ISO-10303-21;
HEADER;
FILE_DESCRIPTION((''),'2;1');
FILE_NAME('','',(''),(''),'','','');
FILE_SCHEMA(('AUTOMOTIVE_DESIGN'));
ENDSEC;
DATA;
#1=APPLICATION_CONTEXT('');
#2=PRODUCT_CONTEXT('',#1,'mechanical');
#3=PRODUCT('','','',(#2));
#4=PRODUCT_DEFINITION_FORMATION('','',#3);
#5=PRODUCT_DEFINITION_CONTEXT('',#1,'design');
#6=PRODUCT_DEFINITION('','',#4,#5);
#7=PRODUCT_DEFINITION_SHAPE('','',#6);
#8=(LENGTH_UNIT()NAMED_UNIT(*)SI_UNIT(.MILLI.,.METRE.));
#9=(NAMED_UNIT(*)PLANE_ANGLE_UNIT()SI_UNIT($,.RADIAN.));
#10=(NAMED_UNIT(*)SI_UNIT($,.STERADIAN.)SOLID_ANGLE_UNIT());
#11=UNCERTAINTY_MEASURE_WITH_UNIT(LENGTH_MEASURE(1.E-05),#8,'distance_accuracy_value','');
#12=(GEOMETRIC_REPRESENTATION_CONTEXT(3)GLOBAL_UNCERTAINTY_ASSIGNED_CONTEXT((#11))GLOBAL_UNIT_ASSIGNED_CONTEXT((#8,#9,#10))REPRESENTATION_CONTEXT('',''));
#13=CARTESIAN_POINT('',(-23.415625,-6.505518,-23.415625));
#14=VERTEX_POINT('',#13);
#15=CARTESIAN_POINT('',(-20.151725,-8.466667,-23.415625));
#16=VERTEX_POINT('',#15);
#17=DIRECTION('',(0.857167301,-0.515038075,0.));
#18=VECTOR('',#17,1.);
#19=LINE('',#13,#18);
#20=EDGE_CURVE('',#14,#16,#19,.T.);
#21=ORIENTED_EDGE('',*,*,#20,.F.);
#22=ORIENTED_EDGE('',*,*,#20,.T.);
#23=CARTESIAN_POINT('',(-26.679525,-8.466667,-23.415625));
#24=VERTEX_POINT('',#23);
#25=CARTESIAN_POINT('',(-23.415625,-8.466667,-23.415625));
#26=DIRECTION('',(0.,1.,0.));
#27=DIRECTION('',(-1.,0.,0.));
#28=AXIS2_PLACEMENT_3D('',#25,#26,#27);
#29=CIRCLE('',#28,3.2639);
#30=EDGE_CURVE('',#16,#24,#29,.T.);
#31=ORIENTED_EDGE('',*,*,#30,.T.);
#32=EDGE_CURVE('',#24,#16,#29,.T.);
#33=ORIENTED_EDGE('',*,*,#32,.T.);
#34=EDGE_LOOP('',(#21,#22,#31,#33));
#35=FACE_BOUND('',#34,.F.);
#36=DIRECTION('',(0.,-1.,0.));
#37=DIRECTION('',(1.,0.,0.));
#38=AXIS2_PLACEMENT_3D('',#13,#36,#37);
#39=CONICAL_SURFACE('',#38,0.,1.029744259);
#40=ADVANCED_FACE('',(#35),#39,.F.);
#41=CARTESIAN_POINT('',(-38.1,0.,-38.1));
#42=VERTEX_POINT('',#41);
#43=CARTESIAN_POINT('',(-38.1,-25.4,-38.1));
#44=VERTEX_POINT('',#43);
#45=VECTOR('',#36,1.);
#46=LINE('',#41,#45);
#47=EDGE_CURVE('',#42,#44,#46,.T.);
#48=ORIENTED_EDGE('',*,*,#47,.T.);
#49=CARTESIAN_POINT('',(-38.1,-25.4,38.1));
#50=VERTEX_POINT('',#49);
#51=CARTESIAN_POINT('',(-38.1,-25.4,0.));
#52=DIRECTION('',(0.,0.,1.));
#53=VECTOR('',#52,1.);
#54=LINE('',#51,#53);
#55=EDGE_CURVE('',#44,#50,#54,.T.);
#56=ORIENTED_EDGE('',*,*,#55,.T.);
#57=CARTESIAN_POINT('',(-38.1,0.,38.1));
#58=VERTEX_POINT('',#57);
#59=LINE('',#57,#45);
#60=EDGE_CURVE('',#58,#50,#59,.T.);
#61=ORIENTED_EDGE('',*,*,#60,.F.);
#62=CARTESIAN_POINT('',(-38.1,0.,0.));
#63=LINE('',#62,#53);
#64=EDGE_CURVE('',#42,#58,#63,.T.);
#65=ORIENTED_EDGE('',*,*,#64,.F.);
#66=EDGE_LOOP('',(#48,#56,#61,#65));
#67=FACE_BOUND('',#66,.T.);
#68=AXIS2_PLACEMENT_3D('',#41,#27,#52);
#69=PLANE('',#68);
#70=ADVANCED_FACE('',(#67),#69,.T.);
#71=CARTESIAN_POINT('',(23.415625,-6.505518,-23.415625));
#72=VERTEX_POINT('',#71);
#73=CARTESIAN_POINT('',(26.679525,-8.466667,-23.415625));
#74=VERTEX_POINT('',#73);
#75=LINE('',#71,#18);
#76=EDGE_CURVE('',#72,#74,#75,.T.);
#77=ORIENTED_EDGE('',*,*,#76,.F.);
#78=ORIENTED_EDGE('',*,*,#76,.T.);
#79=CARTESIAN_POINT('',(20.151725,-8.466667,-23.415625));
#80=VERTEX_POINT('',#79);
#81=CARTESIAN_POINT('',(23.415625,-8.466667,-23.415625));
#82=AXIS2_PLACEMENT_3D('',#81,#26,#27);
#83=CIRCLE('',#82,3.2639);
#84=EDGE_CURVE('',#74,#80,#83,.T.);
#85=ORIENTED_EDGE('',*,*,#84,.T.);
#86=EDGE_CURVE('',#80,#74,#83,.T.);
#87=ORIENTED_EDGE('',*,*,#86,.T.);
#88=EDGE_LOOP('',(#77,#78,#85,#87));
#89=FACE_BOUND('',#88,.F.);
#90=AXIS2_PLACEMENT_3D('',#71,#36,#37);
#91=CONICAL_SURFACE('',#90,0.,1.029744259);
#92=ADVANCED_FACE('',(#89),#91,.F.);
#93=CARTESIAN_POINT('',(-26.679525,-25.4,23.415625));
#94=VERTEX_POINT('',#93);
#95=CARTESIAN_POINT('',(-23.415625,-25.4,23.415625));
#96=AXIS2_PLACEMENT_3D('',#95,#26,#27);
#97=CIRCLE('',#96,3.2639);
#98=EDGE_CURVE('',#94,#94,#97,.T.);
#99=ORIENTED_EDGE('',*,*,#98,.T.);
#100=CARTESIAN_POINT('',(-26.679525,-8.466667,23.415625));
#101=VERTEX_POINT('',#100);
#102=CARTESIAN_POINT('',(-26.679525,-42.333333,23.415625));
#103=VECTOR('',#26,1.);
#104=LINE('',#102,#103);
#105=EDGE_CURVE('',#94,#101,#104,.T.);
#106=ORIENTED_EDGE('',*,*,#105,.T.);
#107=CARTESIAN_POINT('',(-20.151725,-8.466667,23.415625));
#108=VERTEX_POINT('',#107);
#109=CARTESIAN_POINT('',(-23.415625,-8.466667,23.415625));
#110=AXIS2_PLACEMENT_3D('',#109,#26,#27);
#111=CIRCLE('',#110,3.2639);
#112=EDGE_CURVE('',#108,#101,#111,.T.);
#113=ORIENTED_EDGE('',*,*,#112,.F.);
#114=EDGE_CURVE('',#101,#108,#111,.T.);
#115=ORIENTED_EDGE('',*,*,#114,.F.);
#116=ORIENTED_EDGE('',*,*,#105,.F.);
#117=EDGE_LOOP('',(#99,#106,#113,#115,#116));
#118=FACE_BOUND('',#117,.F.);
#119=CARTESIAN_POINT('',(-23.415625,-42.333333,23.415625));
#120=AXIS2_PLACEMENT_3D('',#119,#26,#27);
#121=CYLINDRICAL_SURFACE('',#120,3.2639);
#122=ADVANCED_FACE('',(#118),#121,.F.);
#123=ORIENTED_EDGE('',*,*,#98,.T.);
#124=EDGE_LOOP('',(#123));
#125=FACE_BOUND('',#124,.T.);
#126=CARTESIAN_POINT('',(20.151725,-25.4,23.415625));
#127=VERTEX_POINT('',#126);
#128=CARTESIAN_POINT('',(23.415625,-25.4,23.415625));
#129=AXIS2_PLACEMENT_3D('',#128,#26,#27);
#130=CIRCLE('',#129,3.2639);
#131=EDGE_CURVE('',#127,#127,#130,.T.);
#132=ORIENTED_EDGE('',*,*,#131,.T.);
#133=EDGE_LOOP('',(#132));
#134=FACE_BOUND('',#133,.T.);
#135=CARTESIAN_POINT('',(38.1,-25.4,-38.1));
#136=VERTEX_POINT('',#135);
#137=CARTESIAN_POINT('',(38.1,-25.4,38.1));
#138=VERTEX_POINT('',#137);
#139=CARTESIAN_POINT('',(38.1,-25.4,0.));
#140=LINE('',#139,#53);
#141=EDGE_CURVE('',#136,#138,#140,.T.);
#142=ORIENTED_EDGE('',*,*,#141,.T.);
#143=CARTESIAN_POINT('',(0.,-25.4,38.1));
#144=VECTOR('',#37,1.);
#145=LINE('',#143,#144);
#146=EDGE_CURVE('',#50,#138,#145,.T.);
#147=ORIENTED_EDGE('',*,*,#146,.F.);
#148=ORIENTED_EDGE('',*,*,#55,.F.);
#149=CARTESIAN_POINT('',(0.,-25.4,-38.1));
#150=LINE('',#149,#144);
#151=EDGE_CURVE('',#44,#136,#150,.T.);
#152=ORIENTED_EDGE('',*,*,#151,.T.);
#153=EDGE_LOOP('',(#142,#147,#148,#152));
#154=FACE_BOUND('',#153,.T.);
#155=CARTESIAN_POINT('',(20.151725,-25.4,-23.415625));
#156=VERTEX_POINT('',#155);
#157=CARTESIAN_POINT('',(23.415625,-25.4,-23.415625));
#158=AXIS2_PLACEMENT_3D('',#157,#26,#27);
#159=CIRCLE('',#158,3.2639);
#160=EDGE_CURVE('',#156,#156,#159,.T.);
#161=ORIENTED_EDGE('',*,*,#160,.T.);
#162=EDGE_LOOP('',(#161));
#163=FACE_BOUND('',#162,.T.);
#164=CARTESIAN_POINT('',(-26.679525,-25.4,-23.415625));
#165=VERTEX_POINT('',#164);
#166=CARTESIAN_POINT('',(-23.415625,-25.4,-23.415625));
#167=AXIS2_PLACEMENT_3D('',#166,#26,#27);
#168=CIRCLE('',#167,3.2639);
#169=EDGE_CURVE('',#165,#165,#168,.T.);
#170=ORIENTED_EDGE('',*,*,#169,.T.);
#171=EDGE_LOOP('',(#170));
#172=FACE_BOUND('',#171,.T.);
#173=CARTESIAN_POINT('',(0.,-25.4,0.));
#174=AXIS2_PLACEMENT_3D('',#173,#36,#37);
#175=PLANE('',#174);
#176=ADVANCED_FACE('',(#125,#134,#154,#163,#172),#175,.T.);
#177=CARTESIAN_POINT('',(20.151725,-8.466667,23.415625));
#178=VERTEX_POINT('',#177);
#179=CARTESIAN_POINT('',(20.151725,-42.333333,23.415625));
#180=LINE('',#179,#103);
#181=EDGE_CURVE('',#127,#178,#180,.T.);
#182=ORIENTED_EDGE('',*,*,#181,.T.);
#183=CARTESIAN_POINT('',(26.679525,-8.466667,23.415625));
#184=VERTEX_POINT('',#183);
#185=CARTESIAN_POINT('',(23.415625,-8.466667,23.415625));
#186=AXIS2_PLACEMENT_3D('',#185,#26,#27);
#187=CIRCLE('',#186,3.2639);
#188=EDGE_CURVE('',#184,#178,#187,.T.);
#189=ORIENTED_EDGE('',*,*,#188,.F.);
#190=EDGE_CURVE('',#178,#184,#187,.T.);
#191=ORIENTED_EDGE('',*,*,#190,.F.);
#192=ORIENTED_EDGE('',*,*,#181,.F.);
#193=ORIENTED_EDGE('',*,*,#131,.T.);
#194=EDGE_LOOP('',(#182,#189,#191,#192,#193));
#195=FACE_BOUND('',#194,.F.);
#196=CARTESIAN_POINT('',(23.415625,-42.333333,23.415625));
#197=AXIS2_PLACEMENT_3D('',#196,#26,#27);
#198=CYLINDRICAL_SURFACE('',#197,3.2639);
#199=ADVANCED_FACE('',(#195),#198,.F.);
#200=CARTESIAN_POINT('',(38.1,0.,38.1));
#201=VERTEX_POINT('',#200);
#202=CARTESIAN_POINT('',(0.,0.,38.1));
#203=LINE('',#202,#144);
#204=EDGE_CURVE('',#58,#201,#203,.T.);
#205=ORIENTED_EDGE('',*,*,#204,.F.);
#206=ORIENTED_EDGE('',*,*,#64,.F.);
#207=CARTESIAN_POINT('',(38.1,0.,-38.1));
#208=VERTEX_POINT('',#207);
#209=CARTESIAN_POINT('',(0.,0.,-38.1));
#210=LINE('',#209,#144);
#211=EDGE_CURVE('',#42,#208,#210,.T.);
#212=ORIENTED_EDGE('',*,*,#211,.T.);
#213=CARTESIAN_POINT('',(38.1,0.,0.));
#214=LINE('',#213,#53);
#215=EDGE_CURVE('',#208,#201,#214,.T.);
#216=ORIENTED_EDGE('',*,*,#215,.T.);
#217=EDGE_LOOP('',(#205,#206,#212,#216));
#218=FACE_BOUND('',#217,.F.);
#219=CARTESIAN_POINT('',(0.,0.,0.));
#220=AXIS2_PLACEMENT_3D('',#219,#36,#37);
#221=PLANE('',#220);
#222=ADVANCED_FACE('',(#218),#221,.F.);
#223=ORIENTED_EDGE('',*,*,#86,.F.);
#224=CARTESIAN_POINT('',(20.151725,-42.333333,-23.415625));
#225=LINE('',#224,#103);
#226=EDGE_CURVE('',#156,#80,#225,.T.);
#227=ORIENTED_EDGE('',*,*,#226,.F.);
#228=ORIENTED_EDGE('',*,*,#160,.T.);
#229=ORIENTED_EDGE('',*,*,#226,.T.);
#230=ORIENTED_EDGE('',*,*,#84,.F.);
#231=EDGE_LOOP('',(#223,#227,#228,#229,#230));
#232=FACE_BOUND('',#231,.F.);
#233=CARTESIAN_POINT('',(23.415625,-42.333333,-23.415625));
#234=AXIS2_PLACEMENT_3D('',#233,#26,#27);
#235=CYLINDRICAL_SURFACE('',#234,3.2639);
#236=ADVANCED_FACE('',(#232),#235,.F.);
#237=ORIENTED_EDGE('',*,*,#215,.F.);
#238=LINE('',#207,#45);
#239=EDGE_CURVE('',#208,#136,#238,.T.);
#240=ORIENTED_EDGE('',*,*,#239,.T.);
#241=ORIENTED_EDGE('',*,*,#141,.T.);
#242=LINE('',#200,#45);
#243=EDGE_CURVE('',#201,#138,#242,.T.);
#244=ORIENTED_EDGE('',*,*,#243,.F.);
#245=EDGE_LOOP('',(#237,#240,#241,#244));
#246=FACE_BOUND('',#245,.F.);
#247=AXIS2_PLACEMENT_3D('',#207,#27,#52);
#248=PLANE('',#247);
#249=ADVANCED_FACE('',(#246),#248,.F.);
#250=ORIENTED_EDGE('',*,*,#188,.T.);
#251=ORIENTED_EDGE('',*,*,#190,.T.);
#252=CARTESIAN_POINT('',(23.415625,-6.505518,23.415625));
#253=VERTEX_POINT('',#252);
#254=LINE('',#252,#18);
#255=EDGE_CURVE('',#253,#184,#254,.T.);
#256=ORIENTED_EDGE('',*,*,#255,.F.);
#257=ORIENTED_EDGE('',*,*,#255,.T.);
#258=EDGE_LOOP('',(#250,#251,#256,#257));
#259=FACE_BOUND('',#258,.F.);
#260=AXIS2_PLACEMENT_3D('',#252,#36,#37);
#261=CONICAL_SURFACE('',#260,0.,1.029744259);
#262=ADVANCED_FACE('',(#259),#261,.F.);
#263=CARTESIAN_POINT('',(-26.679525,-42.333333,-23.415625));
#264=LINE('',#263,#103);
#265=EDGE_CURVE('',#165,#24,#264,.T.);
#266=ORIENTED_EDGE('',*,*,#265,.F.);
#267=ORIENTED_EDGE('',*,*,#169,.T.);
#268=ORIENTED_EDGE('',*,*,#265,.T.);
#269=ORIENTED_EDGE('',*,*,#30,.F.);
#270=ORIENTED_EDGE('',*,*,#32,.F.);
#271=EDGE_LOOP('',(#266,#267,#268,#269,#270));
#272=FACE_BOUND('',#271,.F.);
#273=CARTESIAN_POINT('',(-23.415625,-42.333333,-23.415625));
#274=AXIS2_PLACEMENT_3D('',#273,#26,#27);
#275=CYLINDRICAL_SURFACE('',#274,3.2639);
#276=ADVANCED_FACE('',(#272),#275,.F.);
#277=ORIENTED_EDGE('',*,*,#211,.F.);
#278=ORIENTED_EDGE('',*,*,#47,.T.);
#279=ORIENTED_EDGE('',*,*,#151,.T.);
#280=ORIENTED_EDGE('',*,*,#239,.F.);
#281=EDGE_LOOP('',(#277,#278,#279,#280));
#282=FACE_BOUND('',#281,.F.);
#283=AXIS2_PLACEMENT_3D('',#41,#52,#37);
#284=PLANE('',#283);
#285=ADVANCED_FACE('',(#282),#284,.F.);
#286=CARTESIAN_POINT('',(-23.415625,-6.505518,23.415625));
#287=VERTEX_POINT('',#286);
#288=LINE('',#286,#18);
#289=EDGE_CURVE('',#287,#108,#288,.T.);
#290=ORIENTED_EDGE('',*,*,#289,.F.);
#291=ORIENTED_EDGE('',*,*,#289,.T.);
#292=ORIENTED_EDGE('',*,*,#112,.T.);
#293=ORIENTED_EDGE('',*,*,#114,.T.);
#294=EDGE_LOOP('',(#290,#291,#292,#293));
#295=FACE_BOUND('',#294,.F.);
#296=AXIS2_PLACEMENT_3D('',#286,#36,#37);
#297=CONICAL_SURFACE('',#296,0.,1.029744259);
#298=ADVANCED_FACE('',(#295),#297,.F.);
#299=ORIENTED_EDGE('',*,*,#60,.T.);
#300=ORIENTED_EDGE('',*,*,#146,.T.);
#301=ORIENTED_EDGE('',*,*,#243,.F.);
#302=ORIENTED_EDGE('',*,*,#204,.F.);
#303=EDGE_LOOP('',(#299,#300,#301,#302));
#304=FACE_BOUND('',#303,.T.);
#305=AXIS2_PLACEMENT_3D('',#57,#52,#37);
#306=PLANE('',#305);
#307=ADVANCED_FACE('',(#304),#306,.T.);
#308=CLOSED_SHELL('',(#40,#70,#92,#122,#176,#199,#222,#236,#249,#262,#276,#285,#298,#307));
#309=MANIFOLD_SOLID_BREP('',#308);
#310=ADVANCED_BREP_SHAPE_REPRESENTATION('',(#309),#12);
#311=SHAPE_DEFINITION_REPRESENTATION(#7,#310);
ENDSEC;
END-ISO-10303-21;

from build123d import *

# Parameters (mm, degrees)
F0_W     = 76.2
F0_H     = 76.2
F1_DEPTH = 25.4
F3_D     = 6.5278
F3_DEPTH = 16.9333333333
F3_TIP   = 1.9611489744


with BuildPart() as f1:
    # F0 (on Front) → F1 (new body)
    with BuildSketch(Plane.XZ):
        Rectangle(F0_W, F0_H)
    extrude(amount=F1_DEPTH)

    # F3
    with Locations(Plane.XZ.offset(25.4)):
        with Locations((-23.415625, 23.415625), (23.415625, 23.415625), (23.415625, -23.415625), (-23.415625, -23.415625)):
            Hole(F3_D / 2, depth=F3_DEPTH)
            with Locations((0, 0, -(F3_DEPTH + F3_TIP / 2))):  # 118° drill point
                Cone(0, F3_D / 2, F3_TIP, mode=Mode.SUBTRACT)


solid = f1.part
